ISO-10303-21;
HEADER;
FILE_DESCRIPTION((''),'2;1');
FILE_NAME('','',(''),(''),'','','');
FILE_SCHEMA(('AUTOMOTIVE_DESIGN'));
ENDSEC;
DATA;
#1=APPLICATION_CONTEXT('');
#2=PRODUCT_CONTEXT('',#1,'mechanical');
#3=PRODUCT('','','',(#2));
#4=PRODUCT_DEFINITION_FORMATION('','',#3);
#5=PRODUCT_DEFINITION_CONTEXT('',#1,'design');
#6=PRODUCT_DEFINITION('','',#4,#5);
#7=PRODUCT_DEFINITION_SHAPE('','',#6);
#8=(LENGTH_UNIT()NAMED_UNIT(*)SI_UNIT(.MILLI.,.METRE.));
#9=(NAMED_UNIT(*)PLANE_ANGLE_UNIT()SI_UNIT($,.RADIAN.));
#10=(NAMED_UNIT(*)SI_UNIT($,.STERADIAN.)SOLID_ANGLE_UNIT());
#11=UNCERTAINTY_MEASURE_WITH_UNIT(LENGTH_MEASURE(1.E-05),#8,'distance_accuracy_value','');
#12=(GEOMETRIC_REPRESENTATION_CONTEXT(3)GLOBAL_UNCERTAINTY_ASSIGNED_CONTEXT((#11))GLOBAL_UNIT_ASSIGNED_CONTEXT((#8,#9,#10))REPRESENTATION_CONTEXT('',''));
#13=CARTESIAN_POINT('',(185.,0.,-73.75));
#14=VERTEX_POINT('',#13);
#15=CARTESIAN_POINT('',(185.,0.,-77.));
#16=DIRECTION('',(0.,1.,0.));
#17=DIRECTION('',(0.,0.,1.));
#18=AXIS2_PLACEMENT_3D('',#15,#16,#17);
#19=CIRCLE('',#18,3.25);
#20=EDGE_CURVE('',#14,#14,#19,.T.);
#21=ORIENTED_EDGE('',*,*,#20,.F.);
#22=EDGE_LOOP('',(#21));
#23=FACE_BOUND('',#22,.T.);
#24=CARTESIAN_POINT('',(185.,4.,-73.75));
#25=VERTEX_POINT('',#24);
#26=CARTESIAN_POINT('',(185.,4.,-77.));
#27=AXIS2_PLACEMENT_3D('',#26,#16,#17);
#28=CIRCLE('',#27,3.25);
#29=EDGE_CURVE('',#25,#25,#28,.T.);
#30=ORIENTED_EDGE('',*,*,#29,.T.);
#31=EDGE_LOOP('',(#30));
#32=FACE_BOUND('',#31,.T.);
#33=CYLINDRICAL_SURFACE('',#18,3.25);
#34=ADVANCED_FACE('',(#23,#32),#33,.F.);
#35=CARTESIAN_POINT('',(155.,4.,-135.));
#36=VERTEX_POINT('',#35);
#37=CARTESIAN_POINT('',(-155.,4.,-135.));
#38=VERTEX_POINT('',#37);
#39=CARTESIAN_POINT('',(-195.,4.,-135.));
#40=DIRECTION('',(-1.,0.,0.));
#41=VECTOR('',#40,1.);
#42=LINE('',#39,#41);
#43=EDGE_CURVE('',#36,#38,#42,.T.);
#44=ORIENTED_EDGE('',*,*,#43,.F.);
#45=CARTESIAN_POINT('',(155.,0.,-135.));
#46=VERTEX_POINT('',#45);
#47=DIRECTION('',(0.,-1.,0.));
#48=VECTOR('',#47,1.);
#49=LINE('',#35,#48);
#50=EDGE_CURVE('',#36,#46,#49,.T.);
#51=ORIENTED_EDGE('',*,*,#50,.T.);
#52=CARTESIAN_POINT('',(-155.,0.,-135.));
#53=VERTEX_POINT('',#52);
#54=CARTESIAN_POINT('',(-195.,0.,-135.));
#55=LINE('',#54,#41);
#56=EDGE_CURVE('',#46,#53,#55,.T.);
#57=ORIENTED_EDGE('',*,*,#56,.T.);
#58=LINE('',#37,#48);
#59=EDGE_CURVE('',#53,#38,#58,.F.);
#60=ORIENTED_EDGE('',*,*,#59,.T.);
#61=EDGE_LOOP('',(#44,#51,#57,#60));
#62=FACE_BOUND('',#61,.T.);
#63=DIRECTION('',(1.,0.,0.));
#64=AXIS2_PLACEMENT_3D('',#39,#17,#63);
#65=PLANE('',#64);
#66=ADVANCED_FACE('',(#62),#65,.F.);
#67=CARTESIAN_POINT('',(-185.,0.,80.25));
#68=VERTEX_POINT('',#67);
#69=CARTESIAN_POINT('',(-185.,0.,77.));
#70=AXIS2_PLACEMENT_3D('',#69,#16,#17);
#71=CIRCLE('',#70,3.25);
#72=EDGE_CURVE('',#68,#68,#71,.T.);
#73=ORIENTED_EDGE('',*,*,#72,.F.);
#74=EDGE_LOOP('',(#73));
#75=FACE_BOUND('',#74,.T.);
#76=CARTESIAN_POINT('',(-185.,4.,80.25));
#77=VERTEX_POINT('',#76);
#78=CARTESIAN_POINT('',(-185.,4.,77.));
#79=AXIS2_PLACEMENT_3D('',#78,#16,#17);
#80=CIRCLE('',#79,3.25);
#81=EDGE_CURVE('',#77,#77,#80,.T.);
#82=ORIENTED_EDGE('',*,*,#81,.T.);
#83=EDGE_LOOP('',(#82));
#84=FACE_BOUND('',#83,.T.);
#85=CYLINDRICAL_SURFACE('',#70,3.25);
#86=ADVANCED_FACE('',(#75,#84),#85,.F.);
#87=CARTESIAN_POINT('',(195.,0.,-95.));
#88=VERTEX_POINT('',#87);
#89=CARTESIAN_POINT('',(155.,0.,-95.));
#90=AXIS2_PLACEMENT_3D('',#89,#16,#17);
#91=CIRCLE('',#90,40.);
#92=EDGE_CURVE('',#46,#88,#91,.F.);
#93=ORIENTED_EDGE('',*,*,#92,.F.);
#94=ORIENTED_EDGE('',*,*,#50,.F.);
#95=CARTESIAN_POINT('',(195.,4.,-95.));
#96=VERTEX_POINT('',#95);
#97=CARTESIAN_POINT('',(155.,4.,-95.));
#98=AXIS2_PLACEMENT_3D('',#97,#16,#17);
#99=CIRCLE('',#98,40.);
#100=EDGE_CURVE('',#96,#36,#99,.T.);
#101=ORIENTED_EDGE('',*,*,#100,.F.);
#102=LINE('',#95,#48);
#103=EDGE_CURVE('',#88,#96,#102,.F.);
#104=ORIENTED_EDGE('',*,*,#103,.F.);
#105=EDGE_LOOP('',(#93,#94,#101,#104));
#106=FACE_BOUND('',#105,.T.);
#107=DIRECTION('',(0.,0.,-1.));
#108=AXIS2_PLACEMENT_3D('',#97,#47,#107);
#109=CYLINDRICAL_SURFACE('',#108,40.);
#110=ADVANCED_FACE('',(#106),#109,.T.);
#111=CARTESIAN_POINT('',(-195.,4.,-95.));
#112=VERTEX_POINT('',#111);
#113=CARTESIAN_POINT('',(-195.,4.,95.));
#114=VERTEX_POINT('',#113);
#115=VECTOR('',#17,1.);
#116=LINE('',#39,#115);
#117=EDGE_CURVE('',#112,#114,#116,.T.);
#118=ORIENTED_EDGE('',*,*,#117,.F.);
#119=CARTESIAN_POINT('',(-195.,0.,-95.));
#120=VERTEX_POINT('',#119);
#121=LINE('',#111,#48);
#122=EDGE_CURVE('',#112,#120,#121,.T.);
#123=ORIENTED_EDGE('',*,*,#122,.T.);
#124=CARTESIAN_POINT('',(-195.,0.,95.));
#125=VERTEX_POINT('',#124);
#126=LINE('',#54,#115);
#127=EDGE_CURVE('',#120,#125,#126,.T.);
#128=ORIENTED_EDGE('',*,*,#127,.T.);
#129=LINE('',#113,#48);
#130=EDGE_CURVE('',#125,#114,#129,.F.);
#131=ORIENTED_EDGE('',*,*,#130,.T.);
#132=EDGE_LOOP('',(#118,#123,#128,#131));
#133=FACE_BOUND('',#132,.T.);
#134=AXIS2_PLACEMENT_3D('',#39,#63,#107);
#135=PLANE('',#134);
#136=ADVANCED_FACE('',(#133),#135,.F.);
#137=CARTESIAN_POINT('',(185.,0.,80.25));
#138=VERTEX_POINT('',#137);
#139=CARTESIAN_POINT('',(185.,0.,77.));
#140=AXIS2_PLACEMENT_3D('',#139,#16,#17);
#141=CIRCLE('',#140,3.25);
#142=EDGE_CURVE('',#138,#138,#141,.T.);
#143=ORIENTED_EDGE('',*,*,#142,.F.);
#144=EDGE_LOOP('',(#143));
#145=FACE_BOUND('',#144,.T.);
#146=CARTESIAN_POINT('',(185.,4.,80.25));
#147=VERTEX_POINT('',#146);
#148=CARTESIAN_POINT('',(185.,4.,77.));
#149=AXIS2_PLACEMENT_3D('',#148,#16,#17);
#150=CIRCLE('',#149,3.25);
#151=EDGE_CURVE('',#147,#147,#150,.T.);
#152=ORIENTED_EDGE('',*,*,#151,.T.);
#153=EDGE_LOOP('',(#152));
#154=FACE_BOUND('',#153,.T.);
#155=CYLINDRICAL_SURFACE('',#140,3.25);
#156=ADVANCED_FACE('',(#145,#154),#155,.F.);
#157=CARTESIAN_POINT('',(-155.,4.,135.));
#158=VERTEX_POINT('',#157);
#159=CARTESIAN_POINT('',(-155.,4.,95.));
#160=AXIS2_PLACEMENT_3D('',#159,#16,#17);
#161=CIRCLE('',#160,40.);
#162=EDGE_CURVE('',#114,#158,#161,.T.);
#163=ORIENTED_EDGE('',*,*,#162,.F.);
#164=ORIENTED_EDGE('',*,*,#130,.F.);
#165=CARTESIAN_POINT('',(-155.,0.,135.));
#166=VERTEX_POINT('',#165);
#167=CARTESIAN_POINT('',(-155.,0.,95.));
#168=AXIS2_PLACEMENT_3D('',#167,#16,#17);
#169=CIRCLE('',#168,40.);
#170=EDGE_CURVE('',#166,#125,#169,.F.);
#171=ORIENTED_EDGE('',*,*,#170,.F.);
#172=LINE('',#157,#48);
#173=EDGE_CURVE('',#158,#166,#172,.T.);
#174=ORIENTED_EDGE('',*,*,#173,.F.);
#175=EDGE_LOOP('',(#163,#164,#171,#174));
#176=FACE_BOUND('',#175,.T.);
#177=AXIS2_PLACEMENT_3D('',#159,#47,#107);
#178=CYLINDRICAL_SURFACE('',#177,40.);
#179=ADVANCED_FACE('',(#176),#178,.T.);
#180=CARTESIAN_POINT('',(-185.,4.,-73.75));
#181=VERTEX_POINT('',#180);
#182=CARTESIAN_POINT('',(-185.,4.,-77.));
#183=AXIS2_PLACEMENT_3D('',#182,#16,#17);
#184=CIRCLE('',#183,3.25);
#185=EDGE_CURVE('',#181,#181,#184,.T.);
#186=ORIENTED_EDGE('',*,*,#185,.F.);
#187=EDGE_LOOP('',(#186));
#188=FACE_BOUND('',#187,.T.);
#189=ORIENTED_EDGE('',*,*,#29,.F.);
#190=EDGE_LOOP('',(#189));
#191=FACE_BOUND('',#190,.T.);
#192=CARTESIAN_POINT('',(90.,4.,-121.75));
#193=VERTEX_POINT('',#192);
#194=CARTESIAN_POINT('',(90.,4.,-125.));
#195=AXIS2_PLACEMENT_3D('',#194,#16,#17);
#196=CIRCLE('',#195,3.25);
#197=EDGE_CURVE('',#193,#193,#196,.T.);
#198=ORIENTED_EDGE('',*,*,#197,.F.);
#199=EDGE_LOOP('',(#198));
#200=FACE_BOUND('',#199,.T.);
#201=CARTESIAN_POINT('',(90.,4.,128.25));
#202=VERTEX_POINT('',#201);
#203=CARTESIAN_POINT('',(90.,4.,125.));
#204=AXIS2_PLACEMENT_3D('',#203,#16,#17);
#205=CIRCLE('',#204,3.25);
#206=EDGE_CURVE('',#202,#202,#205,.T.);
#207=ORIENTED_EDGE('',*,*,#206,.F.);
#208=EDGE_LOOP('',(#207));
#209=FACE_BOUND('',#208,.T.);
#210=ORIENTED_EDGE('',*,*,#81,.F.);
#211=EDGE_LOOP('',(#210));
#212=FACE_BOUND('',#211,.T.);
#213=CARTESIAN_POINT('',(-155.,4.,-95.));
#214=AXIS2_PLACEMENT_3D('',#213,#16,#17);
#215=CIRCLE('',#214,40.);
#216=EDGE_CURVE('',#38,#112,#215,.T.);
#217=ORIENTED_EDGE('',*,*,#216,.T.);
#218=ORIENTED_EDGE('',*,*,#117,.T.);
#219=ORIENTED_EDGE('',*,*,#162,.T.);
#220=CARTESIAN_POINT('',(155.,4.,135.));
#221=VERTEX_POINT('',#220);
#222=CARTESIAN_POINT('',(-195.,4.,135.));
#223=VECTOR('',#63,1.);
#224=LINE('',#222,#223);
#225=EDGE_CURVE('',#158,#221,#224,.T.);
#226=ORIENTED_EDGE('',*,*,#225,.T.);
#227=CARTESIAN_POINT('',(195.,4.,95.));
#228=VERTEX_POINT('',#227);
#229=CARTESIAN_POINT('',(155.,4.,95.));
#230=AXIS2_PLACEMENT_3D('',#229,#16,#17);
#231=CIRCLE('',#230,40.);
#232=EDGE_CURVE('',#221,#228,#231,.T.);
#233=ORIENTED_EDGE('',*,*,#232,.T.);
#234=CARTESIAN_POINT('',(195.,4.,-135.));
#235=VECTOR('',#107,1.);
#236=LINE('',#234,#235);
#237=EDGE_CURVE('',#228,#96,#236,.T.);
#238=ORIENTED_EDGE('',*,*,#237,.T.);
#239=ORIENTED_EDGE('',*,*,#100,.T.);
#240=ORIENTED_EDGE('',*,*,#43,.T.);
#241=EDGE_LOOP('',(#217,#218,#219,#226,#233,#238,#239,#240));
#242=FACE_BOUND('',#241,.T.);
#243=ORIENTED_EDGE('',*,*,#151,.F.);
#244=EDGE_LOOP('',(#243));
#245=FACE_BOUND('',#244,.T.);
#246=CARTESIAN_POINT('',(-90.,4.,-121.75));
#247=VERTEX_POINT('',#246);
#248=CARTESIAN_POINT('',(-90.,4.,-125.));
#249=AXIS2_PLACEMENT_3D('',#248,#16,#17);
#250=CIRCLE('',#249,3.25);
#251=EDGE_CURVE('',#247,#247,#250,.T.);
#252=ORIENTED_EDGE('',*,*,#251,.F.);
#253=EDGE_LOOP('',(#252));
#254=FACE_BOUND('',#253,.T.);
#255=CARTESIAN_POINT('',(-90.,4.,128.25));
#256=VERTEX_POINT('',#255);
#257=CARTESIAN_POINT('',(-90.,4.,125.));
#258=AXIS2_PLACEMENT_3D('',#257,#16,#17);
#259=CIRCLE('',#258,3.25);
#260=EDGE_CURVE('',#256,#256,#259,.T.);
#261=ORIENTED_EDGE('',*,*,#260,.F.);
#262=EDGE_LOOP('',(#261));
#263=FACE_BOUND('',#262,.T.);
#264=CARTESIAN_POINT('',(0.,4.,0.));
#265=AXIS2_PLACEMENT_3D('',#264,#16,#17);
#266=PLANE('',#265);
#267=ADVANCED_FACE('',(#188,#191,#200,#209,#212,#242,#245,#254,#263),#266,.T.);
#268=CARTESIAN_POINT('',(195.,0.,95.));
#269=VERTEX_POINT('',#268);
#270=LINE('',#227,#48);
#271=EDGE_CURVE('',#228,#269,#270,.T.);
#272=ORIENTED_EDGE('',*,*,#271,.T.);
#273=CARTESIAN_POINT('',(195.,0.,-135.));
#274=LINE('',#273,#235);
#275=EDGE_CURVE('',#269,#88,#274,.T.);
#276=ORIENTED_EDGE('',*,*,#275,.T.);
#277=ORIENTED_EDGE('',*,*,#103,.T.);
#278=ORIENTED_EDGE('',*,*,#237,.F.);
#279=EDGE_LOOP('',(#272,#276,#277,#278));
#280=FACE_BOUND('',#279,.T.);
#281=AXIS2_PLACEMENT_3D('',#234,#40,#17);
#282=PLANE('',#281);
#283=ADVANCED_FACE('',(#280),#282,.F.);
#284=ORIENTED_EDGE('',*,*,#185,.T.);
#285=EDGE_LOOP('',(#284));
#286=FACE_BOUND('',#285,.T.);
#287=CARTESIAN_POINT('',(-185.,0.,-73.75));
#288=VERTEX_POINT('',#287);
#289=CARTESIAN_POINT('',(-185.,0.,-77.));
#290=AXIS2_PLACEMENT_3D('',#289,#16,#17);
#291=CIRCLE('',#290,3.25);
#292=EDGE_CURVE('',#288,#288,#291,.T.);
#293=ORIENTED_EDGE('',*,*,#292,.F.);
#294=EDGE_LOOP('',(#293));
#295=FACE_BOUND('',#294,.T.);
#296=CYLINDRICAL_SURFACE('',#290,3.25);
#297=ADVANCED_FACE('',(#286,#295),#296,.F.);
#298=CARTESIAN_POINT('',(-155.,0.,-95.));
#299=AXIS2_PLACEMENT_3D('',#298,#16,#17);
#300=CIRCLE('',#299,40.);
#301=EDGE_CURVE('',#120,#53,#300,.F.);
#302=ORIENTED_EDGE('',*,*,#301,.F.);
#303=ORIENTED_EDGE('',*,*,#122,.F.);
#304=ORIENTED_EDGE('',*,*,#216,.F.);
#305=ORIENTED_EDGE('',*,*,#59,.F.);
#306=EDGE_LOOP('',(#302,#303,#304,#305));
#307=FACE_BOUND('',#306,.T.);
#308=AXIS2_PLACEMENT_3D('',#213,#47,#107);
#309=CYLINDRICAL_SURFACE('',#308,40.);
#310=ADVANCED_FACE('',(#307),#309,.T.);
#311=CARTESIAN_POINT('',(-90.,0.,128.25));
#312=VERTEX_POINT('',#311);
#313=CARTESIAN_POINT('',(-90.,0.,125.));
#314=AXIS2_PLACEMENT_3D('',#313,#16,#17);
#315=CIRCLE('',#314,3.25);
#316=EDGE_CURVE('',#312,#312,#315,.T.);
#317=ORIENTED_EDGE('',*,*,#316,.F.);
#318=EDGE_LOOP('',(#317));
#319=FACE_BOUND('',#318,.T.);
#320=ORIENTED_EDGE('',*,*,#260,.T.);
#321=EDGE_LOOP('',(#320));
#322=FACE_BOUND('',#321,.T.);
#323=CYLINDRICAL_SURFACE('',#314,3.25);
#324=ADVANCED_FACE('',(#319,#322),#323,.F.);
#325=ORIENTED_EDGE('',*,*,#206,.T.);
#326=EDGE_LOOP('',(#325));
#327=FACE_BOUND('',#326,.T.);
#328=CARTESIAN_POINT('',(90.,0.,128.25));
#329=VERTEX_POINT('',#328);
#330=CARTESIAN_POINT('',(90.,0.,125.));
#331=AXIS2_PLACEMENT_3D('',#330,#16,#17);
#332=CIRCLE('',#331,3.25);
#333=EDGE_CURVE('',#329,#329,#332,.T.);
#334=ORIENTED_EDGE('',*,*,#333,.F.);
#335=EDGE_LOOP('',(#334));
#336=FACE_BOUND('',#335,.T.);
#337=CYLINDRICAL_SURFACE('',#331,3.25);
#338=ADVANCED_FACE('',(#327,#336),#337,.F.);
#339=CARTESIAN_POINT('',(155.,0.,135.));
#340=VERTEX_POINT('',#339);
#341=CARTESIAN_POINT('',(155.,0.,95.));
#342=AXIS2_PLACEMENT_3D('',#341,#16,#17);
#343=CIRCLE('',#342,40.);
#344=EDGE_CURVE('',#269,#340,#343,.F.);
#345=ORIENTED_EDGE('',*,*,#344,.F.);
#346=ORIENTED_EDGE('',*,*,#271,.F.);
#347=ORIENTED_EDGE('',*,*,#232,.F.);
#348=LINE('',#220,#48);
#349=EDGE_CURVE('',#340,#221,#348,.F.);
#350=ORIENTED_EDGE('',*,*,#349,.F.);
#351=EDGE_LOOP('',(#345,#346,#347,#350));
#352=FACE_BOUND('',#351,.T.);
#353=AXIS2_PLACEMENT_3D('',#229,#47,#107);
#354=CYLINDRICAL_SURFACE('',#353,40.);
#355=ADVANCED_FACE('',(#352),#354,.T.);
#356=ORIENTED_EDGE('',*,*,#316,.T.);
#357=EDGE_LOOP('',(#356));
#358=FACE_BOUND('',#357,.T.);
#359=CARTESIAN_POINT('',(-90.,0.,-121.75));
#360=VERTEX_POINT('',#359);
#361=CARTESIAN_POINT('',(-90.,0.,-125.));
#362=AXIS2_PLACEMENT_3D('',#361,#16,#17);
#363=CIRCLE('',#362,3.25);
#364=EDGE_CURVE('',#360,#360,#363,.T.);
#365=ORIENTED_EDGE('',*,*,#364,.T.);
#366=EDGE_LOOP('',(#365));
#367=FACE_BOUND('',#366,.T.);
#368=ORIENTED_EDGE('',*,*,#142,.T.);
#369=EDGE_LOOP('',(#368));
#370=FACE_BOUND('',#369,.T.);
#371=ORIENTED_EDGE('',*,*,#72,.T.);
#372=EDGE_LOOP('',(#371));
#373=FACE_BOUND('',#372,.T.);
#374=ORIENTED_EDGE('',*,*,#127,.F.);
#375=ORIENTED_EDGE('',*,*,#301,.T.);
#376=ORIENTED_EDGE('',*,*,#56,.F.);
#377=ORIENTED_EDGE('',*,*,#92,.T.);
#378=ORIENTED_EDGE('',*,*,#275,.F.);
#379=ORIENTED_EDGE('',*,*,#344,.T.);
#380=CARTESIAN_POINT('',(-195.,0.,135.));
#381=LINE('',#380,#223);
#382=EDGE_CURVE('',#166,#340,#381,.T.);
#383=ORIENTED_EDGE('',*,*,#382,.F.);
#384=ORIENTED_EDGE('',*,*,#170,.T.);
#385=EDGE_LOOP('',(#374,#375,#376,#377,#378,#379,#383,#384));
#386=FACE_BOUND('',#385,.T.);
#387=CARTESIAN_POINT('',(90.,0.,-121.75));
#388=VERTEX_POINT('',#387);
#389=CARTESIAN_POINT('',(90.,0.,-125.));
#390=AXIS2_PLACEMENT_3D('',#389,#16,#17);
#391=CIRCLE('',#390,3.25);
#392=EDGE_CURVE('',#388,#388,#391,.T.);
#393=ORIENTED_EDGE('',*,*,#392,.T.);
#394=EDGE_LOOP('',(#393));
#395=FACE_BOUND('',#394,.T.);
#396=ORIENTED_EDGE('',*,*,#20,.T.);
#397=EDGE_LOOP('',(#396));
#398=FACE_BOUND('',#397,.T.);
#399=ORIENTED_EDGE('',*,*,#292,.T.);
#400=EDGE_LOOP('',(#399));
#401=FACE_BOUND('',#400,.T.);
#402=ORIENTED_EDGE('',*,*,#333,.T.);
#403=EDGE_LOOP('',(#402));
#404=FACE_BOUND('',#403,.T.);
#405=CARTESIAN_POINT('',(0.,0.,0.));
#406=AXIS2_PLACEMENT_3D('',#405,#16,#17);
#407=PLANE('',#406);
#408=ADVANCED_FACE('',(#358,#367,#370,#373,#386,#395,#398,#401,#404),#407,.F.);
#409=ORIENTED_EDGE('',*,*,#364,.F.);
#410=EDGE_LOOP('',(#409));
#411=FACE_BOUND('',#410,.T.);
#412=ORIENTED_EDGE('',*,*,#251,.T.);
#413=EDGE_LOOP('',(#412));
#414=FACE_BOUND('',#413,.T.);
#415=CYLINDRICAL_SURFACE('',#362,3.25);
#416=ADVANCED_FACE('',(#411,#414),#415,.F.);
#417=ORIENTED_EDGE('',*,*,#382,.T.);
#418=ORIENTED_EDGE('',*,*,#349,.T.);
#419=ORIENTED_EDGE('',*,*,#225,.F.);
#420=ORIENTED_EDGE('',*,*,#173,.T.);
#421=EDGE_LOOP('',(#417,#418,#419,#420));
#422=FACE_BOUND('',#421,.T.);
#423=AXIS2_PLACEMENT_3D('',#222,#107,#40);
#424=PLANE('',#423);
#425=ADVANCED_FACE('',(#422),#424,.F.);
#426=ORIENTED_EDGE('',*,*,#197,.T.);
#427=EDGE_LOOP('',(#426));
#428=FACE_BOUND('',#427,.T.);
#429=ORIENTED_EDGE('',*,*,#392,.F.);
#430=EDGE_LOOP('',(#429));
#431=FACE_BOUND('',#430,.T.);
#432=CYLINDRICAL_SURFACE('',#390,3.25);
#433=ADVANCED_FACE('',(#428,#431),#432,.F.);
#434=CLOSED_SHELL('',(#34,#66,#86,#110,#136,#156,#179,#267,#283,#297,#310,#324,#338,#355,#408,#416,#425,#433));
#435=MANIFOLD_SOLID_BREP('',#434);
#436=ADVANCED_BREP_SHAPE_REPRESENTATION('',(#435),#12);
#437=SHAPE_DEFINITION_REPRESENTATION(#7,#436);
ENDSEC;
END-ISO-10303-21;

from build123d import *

# Parameters (mm, degrees)
SKETCH_1_W          = 390
SKETCH_1_H          = 270
EXTRUDE_1_DEPTH     = 4
FILLET_1_R          = 40
SKETCH_2_R          = 3.25
CUT_EXTRUDE_1_DEPTH = 238.204553076


with BuildPart() as part:
    # 草图1 → 凸台-拉伸1 (new body)
    with BuildSketch(Plane(origin=(0, 0, 0), x_dir=(1, 0, 0), z_dir=(0, 1, 0))):
        Rectangle(SKETCH_1_W, SKETCH_1_H)
    extrude(amount=EXTRUDE_1_DEPTH)

    # 圆角1
    fillet_1_edges = [part.edges().sort_by_distance(p)[0] for p in [
        (195, 2, 135),
        (-195, 2, 135),
        (-195, 2, -135),
        (195, 2, -135),
    ]]
    fillet(fillet_1_edges, radius=FILLET_1_R)

    # 草图2 → 切除-拉伸1 (cut, through all)
    with BuildSketch(Plane(origin=(0, 4, 0), x_dir=(1, 0, 0), z_dir=(0, 1, 0))):
        with Locations(Location((-185, -77, 0), (0, 0, 270))):
            Circle(SKETCH_2_R)
        with Locations(Location((-185, 77, 0), (0, 0, 270))):
            Circle(SKETCH_2_R)
        with Locations(Location((-90, 125, 0), (0, 0, 270))):
            Circle(SKETCH_2_R)
        with Locations(Location((-90, -125, 0), (0, 0, 270))):
            Circle(SKETCH_2_R)
        with Locations(Location((90, -125, 0), (0, 0, 270))):
            Circle(SKETCH_2_R)
        with Locations(Location((185, -77, 0), (0, 0, 270))):
            Circle(SKETCH_2_R)
        with Locations(Location((185, 77, 0), (0, 0, 270))):
            Circle(SKETCH_2_R)
        with Locations(Location((90, 125, 0), (0, 0, 270))):
            Circle(SKETCH_2_R)
    extrude(amount=-CUT_EXTRUDE_1_DEPTH, mode=Mode.SUBTRACT)


solid = part.part
